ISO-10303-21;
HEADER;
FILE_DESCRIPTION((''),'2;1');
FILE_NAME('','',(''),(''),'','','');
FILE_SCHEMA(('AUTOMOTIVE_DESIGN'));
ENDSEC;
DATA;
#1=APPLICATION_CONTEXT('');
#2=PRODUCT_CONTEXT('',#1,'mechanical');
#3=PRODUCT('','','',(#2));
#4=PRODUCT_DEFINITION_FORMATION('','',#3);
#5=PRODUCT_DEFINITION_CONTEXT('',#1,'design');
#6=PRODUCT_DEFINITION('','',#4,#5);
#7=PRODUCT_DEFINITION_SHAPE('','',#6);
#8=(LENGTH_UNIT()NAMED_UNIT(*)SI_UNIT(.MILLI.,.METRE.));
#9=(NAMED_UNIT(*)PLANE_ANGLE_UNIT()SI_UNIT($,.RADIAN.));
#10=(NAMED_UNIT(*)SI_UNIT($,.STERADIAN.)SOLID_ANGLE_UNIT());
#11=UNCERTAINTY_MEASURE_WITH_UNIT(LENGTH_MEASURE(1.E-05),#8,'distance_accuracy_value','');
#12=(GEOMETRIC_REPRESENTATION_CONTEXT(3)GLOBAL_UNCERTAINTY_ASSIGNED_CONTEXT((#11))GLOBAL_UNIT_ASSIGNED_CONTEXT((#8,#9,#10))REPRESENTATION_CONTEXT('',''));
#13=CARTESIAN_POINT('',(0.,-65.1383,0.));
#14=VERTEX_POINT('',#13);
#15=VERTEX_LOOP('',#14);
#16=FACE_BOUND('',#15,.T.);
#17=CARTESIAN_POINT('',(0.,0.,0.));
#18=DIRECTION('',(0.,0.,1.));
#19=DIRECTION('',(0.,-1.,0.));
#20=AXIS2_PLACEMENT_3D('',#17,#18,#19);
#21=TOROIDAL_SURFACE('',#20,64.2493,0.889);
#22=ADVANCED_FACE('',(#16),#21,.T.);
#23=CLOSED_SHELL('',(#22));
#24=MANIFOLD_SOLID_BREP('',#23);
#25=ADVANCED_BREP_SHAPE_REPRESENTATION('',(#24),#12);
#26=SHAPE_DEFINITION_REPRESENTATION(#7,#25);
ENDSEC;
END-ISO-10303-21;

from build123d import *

# Parameters (mm, degrees)
SKETCH2_R = 0.889


with BuildPart() as part:
    # Sketch2 → Revolve1 (revolve)
    with BuildSketch(Plane(origin=(0, 0, 0), x_dir=(0, 0, -1), z_dir=(1, 0, 0)), mode=Mode.PRIVATE) as revolve1_sk:
        with Locations((0, 64.2493)):
            Circle(SKETCH2_R)
    revolve(revolve1_sk.sketch.rotate(Axis((0, 0, 63.3603), (0, 0, -1)), 180), axis=Axis((0, 0, 63.3603), (0, 0, -1)))


solid = part.part
